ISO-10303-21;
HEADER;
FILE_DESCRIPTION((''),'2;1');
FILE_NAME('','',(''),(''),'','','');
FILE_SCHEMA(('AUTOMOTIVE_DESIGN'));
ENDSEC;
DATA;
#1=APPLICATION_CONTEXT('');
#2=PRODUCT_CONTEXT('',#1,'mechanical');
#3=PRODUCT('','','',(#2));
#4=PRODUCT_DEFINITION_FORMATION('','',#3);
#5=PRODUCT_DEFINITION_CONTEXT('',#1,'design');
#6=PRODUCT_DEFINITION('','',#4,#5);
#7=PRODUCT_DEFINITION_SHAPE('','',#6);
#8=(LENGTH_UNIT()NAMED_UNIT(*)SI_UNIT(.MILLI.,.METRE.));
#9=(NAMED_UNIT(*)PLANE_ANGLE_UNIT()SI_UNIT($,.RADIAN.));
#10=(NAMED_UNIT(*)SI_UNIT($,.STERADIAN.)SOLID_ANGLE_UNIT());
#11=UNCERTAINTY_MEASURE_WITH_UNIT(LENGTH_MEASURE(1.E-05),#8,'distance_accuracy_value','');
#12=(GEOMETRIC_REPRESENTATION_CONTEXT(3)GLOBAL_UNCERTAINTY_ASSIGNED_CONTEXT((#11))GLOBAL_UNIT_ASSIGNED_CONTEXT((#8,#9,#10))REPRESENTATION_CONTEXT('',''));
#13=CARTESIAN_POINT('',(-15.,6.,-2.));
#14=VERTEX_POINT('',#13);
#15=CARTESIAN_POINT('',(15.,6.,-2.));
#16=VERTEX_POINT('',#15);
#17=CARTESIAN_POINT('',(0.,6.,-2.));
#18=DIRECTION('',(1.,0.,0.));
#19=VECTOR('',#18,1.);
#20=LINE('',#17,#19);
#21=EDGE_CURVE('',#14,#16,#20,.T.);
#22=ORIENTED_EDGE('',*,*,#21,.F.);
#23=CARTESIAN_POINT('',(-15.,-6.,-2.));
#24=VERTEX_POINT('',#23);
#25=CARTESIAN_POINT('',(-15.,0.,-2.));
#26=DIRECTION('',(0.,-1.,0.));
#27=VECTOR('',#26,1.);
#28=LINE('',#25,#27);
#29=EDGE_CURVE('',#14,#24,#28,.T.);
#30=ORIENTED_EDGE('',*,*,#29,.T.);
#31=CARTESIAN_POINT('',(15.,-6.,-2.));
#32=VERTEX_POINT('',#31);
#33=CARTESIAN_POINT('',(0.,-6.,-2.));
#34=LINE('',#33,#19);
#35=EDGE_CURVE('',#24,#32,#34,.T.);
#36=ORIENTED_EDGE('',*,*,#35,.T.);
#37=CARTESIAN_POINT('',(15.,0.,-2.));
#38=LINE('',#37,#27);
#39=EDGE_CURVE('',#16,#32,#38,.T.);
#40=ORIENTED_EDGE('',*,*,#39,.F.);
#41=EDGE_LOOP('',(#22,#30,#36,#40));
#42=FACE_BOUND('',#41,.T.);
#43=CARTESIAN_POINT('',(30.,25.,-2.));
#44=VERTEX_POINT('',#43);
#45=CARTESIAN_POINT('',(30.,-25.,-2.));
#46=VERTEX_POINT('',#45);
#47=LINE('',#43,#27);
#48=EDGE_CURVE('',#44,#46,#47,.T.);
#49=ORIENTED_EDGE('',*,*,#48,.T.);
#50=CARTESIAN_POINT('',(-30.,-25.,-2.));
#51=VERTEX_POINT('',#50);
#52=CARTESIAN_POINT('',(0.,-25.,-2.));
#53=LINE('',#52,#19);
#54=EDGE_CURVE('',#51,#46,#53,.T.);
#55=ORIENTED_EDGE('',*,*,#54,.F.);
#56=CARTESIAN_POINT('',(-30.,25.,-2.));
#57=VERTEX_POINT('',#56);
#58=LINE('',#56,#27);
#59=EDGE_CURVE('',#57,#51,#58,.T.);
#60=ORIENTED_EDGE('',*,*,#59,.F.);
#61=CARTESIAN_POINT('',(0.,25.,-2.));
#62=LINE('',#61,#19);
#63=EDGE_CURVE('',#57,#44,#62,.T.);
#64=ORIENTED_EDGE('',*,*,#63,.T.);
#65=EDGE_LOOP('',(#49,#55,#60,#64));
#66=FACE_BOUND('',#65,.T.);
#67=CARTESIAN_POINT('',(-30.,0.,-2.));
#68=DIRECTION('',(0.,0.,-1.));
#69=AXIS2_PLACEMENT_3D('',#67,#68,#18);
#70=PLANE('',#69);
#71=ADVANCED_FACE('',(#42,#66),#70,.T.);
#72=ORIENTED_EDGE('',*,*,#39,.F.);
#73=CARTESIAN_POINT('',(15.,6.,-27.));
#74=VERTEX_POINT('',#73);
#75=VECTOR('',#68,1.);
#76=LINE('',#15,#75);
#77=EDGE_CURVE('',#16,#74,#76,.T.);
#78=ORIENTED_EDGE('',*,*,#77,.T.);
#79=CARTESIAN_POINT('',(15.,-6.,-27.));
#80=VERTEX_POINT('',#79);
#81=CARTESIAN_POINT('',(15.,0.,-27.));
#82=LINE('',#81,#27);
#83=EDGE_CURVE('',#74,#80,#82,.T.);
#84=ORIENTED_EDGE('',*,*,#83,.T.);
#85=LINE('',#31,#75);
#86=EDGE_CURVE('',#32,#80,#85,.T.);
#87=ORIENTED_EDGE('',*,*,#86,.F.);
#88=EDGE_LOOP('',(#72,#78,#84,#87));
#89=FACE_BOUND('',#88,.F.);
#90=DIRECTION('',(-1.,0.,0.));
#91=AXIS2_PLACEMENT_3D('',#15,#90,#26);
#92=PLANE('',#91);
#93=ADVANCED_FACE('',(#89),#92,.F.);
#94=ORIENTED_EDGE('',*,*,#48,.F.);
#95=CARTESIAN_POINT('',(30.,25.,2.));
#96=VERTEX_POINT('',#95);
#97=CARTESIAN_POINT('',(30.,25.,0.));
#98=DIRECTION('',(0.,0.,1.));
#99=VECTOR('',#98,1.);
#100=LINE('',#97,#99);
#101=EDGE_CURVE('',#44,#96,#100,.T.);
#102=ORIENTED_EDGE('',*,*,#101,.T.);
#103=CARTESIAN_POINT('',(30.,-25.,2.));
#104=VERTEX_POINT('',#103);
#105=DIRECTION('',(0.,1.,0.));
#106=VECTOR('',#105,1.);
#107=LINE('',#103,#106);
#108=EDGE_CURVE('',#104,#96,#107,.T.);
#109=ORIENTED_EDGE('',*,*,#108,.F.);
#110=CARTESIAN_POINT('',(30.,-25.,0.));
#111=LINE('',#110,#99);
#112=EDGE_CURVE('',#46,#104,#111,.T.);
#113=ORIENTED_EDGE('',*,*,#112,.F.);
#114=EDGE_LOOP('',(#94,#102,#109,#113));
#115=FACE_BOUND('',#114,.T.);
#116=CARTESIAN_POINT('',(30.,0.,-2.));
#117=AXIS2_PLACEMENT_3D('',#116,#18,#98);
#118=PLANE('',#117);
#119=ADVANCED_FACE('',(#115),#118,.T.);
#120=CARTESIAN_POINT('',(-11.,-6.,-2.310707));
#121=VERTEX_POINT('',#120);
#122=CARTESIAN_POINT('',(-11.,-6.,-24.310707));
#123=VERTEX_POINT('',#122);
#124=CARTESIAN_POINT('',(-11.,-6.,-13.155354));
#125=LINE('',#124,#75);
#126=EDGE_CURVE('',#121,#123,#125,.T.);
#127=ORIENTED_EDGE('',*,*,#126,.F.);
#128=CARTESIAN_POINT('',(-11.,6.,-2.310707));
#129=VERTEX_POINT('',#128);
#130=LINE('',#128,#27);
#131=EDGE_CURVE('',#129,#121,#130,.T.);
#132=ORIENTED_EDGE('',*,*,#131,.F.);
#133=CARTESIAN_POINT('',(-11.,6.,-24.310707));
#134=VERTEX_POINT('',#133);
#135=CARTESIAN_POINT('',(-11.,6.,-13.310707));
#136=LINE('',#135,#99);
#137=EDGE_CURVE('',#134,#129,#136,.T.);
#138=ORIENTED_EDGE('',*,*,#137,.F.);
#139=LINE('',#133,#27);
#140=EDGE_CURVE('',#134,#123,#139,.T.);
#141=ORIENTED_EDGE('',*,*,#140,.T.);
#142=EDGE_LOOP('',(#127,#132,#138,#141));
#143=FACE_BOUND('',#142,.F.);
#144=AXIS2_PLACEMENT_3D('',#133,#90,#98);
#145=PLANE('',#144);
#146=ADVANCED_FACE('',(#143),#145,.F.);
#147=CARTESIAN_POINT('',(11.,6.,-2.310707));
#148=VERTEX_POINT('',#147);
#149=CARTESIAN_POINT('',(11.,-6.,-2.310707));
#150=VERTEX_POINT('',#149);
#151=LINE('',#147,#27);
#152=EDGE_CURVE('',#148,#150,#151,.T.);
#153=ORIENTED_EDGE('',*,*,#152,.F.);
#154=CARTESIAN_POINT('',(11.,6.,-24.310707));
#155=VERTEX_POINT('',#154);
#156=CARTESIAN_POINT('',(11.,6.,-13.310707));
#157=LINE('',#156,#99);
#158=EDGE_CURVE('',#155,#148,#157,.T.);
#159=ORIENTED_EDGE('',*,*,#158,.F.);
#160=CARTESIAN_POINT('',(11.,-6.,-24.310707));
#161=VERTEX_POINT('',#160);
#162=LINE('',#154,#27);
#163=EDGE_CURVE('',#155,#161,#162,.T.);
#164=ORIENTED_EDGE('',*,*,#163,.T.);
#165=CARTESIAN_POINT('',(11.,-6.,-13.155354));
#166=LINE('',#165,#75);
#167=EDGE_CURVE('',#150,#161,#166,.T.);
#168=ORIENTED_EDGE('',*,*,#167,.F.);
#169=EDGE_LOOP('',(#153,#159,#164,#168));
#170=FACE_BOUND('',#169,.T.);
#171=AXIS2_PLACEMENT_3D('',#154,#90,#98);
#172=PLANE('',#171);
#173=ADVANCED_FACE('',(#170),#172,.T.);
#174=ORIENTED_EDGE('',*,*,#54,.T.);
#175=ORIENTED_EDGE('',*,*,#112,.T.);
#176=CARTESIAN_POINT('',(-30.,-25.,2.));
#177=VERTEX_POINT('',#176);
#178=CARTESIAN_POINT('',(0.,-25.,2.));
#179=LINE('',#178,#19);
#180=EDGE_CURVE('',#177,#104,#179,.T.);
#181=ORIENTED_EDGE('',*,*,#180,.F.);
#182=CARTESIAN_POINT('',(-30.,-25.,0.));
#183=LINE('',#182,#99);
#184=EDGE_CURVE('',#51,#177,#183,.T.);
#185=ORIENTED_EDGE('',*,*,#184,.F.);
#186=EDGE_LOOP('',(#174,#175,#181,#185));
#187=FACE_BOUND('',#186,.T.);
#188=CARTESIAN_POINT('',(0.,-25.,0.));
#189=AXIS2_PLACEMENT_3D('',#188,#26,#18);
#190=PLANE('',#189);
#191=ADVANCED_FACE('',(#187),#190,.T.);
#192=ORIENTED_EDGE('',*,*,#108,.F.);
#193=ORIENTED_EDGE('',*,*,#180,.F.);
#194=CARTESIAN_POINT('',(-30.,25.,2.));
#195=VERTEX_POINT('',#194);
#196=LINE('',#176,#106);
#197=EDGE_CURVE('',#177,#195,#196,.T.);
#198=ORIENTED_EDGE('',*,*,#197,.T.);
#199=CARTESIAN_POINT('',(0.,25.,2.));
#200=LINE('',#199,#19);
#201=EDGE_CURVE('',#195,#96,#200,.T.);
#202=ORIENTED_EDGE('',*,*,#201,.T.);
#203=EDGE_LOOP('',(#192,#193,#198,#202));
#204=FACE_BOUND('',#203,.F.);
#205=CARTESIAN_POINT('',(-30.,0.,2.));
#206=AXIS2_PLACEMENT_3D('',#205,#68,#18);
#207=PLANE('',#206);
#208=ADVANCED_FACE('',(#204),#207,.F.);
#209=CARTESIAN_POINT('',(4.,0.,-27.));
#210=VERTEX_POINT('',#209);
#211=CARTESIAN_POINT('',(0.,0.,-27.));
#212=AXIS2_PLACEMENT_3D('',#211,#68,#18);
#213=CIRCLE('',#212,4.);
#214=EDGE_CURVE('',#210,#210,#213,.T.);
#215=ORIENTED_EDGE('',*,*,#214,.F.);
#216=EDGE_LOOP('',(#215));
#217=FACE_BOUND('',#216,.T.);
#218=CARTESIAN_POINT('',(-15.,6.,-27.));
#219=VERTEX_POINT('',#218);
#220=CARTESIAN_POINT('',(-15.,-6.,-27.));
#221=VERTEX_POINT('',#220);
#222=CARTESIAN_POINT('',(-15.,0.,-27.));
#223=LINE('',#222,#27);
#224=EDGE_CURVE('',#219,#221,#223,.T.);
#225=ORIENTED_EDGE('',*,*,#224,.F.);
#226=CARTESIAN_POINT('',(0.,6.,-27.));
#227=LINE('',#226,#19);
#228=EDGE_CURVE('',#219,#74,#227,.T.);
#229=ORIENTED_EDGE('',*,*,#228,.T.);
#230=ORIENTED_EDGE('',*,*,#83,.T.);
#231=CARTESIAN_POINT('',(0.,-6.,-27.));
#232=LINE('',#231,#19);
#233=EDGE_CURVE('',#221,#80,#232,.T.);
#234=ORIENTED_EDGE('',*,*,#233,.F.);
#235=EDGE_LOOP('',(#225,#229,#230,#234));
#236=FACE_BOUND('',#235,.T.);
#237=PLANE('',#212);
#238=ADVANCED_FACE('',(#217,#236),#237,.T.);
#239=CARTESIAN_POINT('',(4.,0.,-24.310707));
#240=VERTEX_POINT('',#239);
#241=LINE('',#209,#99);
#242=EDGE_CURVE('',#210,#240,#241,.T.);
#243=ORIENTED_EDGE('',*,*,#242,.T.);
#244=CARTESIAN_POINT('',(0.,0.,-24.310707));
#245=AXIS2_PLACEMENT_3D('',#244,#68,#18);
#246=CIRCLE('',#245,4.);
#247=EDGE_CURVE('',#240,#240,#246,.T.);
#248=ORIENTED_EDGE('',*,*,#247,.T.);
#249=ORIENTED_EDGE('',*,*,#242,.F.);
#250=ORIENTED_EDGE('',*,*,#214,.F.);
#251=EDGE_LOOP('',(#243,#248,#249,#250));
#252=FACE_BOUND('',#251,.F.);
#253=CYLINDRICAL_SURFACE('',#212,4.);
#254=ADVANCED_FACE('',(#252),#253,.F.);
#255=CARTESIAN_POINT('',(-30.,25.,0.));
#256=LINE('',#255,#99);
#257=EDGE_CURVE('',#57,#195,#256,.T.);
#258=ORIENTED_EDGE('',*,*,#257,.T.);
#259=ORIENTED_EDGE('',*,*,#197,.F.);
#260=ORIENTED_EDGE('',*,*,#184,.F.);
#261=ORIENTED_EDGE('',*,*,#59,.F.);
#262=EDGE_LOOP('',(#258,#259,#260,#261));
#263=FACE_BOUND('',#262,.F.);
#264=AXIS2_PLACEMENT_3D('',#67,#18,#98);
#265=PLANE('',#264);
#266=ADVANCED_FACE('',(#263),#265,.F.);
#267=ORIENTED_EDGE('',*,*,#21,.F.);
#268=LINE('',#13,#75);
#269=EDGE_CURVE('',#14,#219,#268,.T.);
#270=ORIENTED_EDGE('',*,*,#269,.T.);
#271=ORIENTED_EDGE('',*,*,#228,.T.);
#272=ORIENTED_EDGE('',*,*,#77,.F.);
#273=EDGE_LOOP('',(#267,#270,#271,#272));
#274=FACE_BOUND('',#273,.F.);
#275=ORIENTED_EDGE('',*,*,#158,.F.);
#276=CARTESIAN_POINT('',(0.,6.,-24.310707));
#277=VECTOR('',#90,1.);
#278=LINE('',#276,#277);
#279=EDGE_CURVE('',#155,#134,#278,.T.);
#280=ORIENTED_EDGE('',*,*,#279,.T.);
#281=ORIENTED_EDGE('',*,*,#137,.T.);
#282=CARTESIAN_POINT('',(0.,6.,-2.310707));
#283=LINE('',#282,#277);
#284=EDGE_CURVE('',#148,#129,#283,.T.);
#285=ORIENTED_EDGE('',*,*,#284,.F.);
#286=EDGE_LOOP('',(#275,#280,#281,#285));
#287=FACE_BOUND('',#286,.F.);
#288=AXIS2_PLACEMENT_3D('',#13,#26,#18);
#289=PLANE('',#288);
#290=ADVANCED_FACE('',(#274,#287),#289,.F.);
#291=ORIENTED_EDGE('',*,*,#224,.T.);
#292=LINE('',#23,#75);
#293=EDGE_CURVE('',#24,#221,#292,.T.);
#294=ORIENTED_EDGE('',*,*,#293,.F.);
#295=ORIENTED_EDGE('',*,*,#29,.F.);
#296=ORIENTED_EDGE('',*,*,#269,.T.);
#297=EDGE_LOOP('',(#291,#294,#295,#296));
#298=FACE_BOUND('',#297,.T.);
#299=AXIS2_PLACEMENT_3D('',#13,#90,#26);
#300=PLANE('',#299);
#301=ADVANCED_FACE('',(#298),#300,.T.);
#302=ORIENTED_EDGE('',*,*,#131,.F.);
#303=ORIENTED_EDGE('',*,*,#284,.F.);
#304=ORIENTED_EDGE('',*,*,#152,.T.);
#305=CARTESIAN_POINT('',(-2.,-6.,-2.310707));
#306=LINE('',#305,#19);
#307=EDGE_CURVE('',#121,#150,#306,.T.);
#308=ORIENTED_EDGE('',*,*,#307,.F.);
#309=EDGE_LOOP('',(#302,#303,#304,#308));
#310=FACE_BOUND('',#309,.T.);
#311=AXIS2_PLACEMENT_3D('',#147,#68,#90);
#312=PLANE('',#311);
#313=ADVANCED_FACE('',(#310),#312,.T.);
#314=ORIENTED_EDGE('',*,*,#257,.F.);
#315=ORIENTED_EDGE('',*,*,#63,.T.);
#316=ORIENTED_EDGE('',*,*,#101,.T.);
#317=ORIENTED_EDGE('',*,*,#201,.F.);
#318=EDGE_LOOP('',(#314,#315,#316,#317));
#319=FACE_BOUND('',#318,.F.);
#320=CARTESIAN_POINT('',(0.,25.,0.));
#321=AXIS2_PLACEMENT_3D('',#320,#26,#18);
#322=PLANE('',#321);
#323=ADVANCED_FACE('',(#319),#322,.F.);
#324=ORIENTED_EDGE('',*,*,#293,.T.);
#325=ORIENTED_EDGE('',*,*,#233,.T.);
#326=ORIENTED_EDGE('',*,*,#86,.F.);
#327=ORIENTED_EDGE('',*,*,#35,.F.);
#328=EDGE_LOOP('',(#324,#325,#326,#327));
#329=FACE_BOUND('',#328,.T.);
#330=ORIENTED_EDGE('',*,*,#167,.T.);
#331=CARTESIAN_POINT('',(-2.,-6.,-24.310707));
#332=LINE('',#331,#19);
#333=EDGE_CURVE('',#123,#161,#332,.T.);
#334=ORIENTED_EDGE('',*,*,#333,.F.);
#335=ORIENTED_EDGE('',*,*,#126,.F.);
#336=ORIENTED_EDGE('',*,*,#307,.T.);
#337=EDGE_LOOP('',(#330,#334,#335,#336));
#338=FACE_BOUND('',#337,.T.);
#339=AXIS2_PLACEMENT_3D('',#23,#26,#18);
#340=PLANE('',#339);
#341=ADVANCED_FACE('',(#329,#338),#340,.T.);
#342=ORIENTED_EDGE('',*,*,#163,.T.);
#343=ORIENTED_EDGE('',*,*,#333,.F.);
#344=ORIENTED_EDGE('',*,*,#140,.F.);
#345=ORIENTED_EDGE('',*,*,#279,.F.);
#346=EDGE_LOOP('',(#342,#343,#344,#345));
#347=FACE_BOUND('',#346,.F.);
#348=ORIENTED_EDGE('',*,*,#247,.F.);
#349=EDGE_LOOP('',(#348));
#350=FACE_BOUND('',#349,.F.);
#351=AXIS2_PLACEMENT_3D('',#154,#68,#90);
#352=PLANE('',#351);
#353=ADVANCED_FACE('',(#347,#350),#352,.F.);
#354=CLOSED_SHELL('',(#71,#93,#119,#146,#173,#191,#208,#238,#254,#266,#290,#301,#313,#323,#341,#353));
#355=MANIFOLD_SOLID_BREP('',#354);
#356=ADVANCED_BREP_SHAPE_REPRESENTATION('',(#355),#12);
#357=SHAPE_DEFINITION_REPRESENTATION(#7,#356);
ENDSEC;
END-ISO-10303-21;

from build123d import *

# Parameters (mm, degrees)
F0_W          = 60
F0_H          = 4
F1_DEPTH      = 25
F1_DEPTH_BACK = 25
F2_W          = 30
F2_H          = 12
F3_DEPTH      = 25
F4_W          = 22
F4_H          = 22
F5_DEPTH      = 25
F6_R          = 4
F7_DEPTH      = 10


with BuildPart() as f1:
    # F0 (on Front) → F1 (new body, two sides)
    with BuildSketch(Plane.XZ) as f1_sk:
        Rectangle(F0_W, F0_H)
    extrude(amount=F1_DEPTH)
    extrude(f1_sk.sketch, amount=-F1_DEPTH_BACK)

    # F2 (on face) → F3 (join)
    with BuildSketch(Plane(origin=(0, 0, -2), x_dir=(1, 0, 0), z_dir=(0, 0, -1))):
        Rectangle(F2_W, F2_H)
    extrude(amount=F3_DEPTH)

    # F4 (on face) → F5 (cut)
    with BuildSketch(Plane(origin=(0, 6, 0), x_dir=(-1, 0, 0), z_dir=(0, 1, 0))):
        with Locations((0, -13.310707)):
            Rectangle(F4_W, F4_H)
    extrude(amount=-F5_DEPTH, mode=Mode.SUBTRACT)

    # F6 (on face) → F7 (cut)
    with BuildSketch(Plane(origin=(0, 0, -27), x_dir=(1, 0, 0), z_dir=(0, 0, -1))):
        Circle(F6_R)
    extrude(amount=-F7_DEPTH, mode=Mode.SUBTRACT)


solid = f1.part
